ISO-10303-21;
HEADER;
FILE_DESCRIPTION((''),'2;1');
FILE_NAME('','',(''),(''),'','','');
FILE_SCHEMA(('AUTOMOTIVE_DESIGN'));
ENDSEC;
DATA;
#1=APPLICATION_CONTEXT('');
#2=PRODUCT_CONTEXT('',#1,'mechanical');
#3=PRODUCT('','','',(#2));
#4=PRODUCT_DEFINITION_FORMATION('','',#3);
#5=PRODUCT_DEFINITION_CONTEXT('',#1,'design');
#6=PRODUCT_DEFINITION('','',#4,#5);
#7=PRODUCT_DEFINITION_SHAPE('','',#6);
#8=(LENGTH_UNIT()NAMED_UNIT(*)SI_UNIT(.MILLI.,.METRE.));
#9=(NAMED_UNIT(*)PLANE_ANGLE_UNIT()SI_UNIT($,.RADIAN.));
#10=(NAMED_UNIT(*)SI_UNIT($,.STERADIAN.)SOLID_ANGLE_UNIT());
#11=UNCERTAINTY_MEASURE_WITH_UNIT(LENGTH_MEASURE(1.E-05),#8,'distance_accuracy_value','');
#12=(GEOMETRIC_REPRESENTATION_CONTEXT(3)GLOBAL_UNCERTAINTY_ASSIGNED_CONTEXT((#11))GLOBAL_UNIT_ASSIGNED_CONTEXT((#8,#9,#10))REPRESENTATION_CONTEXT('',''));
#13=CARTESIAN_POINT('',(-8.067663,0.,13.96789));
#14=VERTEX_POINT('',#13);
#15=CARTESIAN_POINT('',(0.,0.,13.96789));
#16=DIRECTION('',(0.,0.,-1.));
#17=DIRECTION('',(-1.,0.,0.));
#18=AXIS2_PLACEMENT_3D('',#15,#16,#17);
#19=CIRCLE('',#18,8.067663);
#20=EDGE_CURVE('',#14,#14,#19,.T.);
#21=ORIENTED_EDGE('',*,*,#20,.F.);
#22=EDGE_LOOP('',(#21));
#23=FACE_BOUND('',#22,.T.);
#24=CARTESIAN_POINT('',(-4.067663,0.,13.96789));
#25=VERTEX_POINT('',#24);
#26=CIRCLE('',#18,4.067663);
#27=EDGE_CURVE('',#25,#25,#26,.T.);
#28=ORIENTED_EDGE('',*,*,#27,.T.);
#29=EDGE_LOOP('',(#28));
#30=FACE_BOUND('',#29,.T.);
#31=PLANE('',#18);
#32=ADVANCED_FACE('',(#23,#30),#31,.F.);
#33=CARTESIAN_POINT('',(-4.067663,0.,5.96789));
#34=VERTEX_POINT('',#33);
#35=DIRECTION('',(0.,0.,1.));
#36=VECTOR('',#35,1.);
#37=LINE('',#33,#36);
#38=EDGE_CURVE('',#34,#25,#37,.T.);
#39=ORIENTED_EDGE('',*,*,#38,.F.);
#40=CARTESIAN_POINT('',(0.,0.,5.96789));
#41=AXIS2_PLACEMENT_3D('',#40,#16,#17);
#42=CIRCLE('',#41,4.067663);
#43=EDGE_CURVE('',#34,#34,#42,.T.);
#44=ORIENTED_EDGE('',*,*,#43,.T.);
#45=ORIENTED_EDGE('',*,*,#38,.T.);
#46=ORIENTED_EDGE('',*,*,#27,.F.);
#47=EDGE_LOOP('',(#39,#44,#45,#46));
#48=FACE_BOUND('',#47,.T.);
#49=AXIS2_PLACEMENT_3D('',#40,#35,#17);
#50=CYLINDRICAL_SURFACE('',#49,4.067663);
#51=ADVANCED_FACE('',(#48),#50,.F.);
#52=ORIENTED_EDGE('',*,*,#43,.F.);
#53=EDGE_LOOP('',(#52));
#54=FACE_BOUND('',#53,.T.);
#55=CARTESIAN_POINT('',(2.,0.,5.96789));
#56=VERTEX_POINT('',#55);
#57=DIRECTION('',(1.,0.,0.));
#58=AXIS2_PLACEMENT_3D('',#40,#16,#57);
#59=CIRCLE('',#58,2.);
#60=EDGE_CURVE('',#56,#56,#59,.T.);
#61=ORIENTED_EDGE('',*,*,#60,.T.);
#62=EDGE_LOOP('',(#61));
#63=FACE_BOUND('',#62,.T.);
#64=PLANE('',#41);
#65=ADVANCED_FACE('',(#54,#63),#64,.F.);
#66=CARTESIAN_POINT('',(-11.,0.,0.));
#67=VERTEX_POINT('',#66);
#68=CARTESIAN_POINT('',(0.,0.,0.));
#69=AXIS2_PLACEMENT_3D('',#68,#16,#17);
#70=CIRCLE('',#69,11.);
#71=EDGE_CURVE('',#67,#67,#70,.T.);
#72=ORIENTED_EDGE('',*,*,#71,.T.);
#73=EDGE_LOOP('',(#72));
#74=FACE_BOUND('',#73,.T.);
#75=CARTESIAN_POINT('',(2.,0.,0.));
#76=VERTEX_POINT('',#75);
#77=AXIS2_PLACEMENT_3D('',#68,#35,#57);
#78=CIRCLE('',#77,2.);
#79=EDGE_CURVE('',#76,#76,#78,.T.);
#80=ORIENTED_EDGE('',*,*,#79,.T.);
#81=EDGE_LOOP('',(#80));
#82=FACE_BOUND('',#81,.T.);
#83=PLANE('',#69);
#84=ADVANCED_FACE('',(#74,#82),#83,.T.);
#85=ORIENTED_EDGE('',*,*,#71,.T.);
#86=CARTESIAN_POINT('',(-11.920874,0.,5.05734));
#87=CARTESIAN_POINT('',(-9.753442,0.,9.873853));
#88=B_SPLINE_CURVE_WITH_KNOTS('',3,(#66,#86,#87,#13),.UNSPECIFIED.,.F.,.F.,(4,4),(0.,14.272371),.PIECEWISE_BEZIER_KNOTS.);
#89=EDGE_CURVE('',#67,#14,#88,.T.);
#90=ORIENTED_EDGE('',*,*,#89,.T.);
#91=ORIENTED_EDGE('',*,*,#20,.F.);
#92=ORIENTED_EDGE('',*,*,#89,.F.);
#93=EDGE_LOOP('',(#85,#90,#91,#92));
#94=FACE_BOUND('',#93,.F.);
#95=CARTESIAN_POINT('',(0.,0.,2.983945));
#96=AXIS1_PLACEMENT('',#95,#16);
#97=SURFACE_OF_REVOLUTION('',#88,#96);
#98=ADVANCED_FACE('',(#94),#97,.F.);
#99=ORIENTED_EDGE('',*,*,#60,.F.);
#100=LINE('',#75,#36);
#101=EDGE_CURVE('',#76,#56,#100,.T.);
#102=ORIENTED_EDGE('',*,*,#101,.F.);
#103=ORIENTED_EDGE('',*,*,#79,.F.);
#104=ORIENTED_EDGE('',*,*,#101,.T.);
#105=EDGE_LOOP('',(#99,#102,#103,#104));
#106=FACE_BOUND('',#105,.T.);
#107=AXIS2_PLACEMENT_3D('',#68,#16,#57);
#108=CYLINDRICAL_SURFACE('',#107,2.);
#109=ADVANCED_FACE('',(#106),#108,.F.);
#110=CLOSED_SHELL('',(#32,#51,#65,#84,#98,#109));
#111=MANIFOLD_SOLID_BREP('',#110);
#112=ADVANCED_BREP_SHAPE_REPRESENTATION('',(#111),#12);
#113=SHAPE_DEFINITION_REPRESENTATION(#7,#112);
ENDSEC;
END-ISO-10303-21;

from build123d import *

# Parameters (mm, degrees)
F2_R     = 2
F3_DEPTH = 46.8


with BuildPart() as f1:
    # F0 (on Front) → F1 (revolve)
    with BuildSketch(Plane.XZ):
        with BuildLine():
            Line((-11, 0), (0, 0))
            Line((0, 0), (0, 5.96789))
            Line((0, 5.96789), (-4.067663, 5.96789))
            Line((-4.067663, 5.96789), (-4.067663, 13.96789))
            Line((-4.067663, 13.96789), (-8.067663, 13.96789))
            add(Edge.make_bspline(
                [(-11, 0), (-11.920874, 5.05734), (-9.753442, 9.873853), (-8.067663, 13.96789)],
                knots=[0, 0, 0, 0, 14.272371, 14.272371, 14.272371, 14.272371], degree=3))
        make_face()
    revolve(axis=Axis((0, 0, 2.983945), (0, 0, -1)))

    # F2 (on Top) → F3 (cut)
    with BuildSketch(Plane.XY):
        Circle(F2_R)
    extrude(amount=F3_DEPTH, mode=Mode.SUBTRACT)


solid = f1.part
